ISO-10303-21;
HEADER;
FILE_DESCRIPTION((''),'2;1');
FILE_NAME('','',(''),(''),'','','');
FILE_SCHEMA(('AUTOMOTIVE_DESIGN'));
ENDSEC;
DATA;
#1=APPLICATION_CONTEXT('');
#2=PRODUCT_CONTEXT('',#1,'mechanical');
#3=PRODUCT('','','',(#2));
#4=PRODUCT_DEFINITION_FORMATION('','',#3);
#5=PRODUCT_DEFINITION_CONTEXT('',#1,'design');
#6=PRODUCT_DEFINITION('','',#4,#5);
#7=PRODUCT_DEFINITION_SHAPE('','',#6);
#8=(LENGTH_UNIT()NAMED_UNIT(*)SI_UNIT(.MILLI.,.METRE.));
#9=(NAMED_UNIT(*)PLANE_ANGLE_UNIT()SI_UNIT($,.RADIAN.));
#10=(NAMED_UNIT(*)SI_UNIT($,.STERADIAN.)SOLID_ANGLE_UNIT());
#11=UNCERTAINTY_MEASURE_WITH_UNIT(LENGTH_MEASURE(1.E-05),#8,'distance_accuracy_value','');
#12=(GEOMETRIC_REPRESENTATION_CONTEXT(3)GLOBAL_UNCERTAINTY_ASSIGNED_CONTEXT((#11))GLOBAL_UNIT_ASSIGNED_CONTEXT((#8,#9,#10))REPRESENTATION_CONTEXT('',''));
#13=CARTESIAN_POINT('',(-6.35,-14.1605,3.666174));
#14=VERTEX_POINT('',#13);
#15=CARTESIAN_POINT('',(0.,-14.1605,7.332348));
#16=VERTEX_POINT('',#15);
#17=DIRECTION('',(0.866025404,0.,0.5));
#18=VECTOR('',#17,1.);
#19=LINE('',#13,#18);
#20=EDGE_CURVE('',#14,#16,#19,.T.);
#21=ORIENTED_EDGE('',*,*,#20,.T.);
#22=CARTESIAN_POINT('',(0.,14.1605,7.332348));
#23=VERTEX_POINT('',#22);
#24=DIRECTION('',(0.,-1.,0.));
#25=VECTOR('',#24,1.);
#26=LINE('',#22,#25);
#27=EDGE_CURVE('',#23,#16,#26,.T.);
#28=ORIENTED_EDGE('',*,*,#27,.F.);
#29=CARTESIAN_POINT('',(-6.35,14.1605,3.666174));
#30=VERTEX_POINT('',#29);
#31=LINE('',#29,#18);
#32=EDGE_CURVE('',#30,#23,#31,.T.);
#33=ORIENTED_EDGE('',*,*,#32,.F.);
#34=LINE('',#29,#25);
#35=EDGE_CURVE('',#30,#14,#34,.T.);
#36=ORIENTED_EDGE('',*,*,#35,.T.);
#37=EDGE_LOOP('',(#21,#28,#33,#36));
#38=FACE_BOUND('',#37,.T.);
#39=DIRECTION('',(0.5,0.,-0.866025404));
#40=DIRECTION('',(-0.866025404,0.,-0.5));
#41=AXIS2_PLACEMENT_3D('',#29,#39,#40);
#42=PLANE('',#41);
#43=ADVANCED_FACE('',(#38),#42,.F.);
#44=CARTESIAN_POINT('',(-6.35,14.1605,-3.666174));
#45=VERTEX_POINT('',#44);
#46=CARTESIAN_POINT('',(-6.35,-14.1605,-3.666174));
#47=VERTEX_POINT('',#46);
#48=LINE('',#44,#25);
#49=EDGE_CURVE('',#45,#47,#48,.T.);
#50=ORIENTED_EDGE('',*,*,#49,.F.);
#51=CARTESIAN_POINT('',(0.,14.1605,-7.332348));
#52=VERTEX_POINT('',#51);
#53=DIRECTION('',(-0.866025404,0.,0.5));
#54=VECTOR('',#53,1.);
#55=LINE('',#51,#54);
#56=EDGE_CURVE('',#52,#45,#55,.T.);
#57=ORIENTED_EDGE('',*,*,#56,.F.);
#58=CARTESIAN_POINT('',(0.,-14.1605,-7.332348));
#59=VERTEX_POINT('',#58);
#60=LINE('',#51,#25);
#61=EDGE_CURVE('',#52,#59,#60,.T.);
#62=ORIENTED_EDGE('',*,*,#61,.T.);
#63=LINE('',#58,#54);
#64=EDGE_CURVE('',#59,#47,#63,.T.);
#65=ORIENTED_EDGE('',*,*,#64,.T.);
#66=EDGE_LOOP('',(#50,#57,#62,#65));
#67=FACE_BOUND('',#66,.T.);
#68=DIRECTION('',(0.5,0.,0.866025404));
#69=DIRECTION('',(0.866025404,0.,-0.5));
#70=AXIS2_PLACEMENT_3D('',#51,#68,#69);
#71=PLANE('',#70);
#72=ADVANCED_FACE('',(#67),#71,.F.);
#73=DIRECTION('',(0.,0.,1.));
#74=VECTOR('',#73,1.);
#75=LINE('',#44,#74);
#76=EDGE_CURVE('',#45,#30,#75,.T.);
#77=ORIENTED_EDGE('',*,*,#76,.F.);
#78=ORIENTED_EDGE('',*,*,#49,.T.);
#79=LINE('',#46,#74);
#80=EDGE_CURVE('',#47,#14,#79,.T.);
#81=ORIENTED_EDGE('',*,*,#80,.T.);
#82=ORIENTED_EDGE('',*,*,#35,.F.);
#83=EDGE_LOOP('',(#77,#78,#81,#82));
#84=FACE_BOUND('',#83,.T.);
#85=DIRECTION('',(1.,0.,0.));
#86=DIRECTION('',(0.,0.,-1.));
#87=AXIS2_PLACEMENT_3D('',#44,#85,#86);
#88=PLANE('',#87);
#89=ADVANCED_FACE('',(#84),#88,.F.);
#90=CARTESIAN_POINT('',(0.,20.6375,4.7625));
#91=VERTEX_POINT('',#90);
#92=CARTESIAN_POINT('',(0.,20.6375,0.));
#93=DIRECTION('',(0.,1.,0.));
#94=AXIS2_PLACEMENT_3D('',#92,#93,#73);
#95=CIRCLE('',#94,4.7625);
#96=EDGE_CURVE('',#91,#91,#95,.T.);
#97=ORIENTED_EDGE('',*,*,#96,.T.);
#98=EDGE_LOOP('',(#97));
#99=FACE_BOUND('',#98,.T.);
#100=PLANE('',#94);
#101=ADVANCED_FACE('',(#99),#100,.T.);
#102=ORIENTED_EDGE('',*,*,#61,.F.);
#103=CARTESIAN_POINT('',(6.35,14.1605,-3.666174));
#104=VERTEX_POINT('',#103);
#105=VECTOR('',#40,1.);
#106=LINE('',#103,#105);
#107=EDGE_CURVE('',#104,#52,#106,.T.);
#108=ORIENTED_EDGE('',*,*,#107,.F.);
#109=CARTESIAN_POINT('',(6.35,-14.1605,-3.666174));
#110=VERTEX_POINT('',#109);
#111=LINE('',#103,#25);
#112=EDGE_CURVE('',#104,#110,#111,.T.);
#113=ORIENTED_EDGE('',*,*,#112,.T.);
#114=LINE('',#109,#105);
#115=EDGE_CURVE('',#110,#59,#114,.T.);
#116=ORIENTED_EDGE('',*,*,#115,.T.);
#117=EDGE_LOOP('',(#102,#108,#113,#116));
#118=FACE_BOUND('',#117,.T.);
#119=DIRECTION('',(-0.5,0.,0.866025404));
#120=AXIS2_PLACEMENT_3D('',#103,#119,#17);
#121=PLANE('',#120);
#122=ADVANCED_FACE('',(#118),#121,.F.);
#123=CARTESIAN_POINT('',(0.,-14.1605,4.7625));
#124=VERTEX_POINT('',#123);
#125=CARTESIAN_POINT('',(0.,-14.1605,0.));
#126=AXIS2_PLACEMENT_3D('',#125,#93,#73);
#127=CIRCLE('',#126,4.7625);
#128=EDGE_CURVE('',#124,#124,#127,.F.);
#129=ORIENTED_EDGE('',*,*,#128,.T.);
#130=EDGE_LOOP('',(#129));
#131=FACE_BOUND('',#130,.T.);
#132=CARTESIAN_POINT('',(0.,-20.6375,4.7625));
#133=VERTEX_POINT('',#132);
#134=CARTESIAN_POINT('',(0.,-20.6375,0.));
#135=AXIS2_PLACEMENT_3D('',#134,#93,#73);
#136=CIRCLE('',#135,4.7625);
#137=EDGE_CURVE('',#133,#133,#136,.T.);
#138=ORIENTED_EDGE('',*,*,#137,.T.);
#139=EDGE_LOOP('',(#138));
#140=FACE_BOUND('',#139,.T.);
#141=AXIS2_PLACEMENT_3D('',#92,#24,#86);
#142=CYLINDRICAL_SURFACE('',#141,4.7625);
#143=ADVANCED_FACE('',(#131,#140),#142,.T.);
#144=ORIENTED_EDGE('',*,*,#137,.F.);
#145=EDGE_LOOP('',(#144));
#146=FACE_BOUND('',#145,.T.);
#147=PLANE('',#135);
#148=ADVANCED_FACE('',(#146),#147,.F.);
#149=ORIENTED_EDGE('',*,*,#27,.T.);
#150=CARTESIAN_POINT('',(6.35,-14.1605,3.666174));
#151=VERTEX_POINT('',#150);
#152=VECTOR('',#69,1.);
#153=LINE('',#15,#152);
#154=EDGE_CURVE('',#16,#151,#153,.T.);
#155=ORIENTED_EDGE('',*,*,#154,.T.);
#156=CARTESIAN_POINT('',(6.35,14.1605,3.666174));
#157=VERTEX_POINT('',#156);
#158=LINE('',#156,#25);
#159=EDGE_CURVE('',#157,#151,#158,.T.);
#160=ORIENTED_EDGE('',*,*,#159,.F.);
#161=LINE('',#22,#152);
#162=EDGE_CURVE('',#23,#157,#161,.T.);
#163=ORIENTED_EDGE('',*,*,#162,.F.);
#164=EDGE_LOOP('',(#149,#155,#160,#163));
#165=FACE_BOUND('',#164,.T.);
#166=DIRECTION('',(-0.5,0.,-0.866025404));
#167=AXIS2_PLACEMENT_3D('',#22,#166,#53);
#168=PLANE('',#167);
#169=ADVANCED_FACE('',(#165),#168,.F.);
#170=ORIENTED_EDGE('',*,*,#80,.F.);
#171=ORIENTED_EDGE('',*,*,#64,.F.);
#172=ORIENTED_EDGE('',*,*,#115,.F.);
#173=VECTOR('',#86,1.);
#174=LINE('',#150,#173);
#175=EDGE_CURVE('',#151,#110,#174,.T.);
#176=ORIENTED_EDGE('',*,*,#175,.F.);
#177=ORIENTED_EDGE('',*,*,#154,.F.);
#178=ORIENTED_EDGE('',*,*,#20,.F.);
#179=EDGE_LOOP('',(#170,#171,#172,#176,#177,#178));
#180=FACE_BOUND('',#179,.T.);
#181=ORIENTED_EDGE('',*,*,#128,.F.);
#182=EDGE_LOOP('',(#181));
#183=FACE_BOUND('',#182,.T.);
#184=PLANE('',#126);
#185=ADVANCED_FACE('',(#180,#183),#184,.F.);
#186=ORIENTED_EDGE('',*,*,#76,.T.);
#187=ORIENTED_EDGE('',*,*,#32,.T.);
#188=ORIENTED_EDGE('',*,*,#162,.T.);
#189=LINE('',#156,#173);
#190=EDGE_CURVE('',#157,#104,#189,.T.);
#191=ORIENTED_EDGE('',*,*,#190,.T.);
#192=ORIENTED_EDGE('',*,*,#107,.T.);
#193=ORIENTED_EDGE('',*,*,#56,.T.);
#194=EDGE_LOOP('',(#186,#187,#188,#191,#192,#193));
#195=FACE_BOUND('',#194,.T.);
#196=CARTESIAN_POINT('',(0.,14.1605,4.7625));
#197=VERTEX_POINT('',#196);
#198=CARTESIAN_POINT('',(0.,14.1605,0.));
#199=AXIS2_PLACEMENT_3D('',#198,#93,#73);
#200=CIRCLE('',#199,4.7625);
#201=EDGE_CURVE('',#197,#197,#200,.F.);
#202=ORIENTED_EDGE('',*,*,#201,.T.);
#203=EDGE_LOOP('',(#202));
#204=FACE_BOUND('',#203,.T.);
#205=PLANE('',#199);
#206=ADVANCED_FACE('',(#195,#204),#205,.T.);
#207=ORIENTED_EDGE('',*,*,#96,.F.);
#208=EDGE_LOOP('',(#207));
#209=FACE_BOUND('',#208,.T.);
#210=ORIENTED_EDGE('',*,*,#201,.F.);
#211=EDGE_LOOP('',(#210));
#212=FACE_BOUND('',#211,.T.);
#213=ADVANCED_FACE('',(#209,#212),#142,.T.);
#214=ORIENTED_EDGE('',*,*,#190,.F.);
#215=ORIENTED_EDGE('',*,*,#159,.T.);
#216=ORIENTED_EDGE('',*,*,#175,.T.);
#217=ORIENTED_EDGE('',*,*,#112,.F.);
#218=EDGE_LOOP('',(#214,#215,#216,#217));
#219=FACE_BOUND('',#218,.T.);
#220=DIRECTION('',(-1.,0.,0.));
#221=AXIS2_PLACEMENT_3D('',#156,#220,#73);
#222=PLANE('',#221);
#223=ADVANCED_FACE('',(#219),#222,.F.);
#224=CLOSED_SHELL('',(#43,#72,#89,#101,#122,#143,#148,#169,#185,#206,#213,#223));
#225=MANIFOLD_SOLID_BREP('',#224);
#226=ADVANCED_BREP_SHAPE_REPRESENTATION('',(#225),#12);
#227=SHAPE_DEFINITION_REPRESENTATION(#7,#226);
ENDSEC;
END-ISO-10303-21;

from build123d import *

# Parameters (mm, degrees)
BOSS_EXTRUDE1_DEPTH = 14.1605
SKETCH2_R           = 4.7625
BOSS_EXTRUDE2_DEPTH = 20.6375


with BuildPart() as part:
    # Sketch1 → Boss-Extrude1 (new body, symmetric)
    with BuildSketch(Plane(origin=(0, 0, 0), x_dir=(1, 0, 0), z_dir=(0, 1, 0))):
        Polygon((6.35, -3.666174209), (6.35, 3.666174209), (0, 7.332348419), (-6.35, 3.666174209), (-6.35, -3.666174209), (0, -7.332348419), align=None)
    extrude(amount=BOSS_EXTRUDE1_DEPTH, both=True)

    # Sketch2 → Boss-Extrude2 (add, symmetric)
    with BuildSketch(Plane(origin=(0, 0, 0), x_dir=(1, 0, 0), z_dir=(0, 1, 0))):
        Circle(SKETCH2_R)
    extrude(amount=BOSS_EXTRUDE2_DEPTH, both=True)


solid = part.part
